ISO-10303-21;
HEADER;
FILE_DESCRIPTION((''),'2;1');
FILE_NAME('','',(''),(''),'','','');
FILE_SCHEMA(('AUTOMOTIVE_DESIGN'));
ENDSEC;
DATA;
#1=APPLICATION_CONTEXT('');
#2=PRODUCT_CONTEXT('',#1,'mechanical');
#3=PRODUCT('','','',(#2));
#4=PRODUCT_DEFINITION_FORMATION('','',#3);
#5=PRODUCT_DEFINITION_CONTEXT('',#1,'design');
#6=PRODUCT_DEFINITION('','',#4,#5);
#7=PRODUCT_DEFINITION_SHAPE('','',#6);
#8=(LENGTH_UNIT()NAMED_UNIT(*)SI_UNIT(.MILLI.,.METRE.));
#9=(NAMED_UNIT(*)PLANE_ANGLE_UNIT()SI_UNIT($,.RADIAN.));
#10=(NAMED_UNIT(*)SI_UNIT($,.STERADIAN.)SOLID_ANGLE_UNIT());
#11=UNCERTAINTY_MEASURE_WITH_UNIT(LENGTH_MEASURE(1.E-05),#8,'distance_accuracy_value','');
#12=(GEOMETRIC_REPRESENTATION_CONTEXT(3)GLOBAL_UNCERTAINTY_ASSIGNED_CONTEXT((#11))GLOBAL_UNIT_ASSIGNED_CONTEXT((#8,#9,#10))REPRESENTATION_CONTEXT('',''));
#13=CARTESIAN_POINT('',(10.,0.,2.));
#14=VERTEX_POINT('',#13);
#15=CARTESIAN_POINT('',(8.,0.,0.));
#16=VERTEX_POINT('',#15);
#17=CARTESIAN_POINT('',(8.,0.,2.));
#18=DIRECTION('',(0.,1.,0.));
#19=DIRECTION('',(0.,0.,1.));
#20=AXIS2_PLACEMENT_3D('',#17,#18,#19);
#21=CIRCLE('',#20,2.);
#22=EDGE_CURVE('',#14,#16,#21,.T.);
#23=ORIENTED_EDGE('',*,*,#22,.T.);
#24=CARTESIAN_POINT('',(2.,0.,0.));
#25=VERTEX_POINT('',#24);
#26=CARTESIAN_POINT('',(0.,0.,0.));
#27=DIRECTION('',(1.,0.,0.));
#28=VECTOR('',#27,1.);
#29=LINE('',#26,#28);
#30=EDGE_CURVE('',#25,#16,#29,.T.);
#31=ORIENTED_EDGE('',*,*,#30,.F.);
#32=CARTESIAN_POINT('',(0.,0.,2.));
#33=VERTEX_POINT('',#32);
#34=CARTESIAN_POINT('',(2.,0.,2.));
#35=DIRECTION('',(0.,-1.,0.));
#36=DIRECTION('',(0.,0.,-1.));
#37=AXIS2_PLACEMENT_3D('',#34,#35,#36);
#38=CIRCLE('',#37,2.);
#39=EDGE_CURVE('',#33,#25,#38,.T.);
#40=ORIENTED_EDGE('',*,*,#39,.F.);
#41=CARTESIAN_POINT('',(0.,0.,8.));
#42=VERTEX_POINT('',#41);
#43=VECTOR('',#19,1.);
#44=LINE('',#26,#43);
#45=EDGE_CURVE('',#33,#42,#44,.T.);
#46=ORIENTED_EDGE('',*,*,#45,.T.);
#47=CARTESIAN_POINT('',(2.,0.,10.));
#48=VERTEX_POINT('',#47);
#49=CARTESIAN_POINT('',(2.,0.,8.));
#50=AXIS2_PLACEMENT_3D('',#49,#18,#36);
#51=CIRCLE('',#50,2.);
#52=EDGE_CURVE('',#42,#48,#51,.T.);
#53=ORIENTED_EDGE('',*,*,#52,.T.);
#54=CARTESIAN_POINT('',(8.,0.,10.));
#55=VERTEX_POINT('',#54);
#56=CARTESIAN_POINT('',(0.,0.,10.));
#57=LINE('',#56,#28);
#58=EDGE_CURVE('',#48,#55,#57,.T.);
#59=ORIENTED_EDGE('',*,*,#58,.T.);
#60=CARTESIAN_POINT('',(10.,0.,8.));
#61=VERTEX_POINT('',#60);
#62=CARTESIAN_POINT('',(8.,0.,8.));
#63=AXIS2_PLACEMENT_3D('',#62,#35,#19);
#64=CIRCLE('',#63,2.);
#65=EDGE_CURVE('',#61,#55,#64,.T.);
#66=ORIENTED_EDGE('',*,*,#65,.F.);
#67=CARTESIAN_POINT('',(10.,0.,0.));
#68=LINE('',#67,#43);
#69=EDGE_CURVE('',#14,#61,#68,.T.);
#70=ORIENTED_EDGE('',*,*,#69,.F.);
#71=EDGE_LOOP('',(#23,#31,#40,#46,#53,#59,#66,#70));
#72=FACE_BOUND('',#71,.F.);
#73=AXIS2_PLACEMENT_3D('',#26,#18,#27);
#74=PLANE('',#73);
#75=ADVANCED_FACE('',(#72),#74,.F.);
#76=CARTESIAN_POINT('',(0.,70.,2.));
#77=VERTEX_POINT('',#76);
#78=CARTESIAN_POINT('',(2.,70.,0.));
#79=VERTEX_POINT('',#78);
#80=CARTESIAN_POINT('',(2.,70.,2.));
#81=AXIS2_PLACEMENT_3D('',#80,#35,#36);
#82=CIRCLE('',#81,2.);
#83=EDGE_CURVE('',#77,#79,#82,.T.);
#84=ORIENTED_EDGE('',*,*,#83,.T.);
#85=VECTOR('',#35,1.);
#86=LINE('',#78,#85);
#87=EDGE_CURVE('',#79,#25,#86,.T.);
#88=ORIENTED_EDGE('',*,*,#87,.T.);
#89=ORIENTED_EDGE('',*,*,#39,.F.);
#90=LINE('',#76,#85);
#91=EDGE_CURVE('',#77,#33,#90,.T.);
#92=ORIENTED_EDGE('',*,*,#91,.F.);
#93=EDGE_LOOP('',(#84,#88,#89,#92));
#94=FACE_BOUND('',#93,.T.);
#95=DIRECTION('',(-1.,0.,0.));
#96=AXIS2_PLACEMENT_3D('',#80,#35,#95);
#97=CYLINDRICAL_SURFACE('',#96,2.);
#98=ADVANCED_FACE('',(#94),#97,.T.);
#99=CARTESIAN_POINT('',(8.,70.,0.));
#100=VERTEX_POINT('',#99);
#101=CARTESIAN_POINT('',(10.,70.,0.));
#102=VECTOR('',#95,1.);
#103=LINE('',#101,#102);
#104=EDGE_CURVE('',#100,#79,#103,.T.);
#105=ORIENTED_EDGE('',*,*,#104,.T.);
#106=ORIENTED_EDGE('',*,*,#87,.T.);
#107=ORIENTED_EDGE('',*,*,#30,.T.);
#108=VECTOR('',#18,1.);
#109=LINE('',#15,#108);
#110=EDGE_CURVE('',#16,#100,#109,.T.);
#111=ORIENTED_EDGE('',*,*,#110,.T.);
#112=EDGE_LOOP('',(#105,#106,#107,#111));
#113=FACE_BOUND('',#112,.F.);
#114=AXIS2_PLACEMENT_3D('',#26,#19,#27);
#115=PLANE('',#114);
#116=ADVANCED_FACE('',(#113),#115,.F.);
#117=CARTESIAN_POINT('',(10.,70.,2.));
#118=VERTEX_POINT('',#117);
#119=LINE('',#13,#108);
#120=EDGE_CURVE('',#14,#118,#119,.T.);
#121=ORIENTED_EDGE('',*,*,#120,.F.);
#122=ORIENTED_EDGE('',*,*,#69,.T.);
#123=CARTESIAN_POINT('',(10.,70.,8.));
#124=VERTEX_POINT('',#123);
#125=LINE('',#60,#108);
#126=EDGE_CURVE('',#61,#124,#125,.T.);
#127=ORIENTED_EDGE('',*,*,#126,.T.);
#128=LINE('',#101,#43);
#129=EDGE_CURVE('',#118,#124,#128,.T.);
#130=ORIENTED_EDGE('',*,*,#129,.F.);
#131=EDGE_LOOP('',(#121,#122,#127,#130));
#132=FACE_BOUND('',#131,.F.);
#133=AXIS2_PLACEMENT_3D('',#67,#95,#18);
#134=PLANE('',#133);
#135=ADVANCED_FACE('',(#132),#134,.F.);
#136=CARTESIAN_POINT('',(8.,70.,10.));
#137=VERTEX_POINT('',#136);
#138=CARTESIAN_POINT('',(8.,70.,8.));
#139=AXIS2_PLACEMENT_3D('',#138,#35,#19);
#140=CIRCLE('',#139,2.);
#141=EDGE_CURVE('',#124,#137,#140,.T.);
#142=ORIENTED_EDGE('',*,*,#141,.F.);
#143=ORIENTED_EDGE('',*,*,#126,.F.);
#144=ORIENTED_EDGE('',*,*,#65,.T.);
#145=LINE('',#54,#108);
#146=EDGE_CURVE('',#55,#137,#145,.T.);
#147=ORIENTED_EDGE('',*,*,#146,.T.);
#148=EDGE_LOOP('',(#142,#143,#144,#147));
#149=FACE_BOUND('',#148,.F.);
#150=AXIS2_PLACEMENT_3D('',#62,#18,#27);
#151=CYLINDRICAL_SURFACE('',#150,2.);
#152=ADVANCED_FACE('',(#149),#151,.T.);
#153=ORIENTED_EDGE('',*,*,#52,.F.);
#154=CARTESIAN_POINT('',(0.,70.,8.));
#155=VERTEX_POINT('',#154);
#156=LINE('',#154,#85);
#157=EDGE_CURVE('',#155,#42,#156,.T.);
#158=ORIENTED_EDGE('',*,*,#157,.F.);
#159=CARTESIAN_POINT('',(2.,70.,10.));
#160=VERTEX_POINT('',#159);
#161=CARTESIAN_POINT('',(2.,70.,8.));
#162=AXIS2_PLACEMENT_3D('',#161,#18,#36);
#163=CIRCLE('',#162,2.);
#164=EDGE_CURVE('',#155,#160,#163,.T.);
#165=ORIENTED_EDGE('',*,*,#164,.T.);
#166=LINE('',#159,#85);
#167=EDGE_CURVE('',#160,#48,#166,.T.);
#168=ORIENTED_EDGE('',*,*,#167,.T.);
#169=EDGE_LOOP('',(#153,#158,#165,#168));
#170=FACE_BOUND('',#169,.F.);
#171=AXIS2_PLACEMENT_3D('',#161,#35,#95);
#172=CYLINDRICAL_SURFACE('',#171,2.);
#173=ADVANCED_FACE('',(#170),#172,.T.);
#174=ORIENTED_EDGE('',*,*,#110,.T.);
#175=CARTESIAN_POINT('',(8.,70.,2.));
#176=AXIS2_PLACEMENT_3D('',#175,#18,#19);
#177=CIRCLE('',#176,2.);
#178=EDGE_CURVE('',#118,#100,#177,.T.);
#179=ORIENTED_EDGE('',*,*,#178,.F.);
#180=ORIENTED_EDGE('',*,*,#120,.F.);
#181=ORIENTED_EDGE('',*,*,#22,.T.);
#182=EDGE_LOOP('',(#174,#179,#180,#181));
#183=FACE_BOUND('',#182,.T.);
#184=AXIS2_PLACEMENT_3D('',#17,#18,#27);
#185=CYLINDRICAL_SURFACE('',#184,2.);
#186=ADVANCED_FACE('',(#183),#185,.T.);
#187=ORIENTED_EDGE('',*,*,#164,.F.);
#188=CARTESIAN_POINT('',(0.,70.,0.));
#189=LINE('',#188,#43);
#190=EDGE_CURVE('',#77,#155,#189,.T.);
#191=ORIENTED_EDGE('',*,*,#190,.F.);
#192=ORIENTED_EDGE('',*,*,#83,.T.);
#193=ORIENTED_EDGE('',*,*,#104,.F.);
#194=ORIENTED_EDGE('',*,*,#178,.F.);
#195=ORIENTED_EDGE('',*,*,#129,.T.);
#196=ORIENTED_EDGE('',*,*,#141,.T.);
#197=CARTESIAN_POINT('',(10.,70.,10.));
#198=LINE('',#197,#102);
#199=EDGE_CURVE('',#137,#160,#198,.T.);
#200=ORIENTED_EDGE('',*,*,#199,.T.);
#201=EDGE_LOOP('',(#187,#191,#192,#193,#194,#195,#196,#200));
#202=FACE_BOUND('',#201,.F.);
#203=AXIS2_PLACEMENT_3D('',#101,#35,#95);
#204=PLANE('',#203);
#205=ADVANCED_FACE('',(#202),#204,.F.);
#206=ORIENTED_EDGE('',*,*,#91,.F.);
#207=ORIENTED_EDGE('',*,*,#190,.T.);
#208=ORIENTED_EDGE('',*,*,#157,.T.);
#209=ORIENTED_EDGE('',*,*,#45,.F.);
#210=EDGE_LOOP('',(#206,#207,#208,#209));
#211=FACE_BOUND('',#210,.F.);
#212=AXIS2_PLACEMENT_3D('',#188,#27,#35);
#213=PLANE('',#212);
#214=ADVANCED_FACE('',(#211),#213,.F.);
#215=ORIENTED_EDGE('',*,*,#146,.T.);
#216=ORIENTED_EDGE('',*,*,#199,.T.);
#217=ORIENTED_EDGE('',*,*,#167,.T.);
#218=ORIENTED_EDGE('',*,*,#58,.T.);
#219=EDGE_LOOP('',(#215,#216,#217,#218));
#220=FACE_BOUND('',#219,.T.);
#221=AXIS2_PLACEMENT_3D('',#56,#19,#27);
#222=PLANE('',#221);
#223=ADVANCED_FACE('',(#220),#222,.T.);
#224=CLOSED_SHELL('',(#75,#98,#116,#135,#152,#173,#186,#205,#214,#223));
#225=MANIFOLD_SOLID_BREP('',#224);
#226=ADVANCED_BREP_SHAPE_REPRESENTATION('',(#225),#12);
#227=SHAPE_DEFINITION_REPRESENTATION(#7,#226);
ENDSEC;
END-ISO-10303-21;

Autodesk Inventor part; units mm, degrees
ref_plane "YZ Plane" through (0, 0, 0) normal (1, 0, 0) x (0, 1, 0)
ref_plane "XZ Plane" through (0, 0, 0) normal (0, 1, 0) x (-1, 0, 0)
ref_plane "XY Plane" through (0, 0, 0) normal (0, 0, 1) x (1, 0, 0)
sketch "Sketch1" plane through (0, 0, 0) normal (0, 0, 1) x (1, 0, 0)
  line L0 (0, 0) -> (10, 0)
  line L1 (10, 0) -> (10, 70)
  line L2 (10, 70) -> (0, 70)
  line L3 (0, 70) -> (0, 0)
  dimension "d0" = 10
  dimension "d1" = 70
extrude "Extrusion1" add sketch "Sketch1" along normal blind 10
fillet "Fillet1" radius 2 4 edges at (10, 35, 10) (0, 35, 10) (10, 35, 0) (0, 35, 0)
